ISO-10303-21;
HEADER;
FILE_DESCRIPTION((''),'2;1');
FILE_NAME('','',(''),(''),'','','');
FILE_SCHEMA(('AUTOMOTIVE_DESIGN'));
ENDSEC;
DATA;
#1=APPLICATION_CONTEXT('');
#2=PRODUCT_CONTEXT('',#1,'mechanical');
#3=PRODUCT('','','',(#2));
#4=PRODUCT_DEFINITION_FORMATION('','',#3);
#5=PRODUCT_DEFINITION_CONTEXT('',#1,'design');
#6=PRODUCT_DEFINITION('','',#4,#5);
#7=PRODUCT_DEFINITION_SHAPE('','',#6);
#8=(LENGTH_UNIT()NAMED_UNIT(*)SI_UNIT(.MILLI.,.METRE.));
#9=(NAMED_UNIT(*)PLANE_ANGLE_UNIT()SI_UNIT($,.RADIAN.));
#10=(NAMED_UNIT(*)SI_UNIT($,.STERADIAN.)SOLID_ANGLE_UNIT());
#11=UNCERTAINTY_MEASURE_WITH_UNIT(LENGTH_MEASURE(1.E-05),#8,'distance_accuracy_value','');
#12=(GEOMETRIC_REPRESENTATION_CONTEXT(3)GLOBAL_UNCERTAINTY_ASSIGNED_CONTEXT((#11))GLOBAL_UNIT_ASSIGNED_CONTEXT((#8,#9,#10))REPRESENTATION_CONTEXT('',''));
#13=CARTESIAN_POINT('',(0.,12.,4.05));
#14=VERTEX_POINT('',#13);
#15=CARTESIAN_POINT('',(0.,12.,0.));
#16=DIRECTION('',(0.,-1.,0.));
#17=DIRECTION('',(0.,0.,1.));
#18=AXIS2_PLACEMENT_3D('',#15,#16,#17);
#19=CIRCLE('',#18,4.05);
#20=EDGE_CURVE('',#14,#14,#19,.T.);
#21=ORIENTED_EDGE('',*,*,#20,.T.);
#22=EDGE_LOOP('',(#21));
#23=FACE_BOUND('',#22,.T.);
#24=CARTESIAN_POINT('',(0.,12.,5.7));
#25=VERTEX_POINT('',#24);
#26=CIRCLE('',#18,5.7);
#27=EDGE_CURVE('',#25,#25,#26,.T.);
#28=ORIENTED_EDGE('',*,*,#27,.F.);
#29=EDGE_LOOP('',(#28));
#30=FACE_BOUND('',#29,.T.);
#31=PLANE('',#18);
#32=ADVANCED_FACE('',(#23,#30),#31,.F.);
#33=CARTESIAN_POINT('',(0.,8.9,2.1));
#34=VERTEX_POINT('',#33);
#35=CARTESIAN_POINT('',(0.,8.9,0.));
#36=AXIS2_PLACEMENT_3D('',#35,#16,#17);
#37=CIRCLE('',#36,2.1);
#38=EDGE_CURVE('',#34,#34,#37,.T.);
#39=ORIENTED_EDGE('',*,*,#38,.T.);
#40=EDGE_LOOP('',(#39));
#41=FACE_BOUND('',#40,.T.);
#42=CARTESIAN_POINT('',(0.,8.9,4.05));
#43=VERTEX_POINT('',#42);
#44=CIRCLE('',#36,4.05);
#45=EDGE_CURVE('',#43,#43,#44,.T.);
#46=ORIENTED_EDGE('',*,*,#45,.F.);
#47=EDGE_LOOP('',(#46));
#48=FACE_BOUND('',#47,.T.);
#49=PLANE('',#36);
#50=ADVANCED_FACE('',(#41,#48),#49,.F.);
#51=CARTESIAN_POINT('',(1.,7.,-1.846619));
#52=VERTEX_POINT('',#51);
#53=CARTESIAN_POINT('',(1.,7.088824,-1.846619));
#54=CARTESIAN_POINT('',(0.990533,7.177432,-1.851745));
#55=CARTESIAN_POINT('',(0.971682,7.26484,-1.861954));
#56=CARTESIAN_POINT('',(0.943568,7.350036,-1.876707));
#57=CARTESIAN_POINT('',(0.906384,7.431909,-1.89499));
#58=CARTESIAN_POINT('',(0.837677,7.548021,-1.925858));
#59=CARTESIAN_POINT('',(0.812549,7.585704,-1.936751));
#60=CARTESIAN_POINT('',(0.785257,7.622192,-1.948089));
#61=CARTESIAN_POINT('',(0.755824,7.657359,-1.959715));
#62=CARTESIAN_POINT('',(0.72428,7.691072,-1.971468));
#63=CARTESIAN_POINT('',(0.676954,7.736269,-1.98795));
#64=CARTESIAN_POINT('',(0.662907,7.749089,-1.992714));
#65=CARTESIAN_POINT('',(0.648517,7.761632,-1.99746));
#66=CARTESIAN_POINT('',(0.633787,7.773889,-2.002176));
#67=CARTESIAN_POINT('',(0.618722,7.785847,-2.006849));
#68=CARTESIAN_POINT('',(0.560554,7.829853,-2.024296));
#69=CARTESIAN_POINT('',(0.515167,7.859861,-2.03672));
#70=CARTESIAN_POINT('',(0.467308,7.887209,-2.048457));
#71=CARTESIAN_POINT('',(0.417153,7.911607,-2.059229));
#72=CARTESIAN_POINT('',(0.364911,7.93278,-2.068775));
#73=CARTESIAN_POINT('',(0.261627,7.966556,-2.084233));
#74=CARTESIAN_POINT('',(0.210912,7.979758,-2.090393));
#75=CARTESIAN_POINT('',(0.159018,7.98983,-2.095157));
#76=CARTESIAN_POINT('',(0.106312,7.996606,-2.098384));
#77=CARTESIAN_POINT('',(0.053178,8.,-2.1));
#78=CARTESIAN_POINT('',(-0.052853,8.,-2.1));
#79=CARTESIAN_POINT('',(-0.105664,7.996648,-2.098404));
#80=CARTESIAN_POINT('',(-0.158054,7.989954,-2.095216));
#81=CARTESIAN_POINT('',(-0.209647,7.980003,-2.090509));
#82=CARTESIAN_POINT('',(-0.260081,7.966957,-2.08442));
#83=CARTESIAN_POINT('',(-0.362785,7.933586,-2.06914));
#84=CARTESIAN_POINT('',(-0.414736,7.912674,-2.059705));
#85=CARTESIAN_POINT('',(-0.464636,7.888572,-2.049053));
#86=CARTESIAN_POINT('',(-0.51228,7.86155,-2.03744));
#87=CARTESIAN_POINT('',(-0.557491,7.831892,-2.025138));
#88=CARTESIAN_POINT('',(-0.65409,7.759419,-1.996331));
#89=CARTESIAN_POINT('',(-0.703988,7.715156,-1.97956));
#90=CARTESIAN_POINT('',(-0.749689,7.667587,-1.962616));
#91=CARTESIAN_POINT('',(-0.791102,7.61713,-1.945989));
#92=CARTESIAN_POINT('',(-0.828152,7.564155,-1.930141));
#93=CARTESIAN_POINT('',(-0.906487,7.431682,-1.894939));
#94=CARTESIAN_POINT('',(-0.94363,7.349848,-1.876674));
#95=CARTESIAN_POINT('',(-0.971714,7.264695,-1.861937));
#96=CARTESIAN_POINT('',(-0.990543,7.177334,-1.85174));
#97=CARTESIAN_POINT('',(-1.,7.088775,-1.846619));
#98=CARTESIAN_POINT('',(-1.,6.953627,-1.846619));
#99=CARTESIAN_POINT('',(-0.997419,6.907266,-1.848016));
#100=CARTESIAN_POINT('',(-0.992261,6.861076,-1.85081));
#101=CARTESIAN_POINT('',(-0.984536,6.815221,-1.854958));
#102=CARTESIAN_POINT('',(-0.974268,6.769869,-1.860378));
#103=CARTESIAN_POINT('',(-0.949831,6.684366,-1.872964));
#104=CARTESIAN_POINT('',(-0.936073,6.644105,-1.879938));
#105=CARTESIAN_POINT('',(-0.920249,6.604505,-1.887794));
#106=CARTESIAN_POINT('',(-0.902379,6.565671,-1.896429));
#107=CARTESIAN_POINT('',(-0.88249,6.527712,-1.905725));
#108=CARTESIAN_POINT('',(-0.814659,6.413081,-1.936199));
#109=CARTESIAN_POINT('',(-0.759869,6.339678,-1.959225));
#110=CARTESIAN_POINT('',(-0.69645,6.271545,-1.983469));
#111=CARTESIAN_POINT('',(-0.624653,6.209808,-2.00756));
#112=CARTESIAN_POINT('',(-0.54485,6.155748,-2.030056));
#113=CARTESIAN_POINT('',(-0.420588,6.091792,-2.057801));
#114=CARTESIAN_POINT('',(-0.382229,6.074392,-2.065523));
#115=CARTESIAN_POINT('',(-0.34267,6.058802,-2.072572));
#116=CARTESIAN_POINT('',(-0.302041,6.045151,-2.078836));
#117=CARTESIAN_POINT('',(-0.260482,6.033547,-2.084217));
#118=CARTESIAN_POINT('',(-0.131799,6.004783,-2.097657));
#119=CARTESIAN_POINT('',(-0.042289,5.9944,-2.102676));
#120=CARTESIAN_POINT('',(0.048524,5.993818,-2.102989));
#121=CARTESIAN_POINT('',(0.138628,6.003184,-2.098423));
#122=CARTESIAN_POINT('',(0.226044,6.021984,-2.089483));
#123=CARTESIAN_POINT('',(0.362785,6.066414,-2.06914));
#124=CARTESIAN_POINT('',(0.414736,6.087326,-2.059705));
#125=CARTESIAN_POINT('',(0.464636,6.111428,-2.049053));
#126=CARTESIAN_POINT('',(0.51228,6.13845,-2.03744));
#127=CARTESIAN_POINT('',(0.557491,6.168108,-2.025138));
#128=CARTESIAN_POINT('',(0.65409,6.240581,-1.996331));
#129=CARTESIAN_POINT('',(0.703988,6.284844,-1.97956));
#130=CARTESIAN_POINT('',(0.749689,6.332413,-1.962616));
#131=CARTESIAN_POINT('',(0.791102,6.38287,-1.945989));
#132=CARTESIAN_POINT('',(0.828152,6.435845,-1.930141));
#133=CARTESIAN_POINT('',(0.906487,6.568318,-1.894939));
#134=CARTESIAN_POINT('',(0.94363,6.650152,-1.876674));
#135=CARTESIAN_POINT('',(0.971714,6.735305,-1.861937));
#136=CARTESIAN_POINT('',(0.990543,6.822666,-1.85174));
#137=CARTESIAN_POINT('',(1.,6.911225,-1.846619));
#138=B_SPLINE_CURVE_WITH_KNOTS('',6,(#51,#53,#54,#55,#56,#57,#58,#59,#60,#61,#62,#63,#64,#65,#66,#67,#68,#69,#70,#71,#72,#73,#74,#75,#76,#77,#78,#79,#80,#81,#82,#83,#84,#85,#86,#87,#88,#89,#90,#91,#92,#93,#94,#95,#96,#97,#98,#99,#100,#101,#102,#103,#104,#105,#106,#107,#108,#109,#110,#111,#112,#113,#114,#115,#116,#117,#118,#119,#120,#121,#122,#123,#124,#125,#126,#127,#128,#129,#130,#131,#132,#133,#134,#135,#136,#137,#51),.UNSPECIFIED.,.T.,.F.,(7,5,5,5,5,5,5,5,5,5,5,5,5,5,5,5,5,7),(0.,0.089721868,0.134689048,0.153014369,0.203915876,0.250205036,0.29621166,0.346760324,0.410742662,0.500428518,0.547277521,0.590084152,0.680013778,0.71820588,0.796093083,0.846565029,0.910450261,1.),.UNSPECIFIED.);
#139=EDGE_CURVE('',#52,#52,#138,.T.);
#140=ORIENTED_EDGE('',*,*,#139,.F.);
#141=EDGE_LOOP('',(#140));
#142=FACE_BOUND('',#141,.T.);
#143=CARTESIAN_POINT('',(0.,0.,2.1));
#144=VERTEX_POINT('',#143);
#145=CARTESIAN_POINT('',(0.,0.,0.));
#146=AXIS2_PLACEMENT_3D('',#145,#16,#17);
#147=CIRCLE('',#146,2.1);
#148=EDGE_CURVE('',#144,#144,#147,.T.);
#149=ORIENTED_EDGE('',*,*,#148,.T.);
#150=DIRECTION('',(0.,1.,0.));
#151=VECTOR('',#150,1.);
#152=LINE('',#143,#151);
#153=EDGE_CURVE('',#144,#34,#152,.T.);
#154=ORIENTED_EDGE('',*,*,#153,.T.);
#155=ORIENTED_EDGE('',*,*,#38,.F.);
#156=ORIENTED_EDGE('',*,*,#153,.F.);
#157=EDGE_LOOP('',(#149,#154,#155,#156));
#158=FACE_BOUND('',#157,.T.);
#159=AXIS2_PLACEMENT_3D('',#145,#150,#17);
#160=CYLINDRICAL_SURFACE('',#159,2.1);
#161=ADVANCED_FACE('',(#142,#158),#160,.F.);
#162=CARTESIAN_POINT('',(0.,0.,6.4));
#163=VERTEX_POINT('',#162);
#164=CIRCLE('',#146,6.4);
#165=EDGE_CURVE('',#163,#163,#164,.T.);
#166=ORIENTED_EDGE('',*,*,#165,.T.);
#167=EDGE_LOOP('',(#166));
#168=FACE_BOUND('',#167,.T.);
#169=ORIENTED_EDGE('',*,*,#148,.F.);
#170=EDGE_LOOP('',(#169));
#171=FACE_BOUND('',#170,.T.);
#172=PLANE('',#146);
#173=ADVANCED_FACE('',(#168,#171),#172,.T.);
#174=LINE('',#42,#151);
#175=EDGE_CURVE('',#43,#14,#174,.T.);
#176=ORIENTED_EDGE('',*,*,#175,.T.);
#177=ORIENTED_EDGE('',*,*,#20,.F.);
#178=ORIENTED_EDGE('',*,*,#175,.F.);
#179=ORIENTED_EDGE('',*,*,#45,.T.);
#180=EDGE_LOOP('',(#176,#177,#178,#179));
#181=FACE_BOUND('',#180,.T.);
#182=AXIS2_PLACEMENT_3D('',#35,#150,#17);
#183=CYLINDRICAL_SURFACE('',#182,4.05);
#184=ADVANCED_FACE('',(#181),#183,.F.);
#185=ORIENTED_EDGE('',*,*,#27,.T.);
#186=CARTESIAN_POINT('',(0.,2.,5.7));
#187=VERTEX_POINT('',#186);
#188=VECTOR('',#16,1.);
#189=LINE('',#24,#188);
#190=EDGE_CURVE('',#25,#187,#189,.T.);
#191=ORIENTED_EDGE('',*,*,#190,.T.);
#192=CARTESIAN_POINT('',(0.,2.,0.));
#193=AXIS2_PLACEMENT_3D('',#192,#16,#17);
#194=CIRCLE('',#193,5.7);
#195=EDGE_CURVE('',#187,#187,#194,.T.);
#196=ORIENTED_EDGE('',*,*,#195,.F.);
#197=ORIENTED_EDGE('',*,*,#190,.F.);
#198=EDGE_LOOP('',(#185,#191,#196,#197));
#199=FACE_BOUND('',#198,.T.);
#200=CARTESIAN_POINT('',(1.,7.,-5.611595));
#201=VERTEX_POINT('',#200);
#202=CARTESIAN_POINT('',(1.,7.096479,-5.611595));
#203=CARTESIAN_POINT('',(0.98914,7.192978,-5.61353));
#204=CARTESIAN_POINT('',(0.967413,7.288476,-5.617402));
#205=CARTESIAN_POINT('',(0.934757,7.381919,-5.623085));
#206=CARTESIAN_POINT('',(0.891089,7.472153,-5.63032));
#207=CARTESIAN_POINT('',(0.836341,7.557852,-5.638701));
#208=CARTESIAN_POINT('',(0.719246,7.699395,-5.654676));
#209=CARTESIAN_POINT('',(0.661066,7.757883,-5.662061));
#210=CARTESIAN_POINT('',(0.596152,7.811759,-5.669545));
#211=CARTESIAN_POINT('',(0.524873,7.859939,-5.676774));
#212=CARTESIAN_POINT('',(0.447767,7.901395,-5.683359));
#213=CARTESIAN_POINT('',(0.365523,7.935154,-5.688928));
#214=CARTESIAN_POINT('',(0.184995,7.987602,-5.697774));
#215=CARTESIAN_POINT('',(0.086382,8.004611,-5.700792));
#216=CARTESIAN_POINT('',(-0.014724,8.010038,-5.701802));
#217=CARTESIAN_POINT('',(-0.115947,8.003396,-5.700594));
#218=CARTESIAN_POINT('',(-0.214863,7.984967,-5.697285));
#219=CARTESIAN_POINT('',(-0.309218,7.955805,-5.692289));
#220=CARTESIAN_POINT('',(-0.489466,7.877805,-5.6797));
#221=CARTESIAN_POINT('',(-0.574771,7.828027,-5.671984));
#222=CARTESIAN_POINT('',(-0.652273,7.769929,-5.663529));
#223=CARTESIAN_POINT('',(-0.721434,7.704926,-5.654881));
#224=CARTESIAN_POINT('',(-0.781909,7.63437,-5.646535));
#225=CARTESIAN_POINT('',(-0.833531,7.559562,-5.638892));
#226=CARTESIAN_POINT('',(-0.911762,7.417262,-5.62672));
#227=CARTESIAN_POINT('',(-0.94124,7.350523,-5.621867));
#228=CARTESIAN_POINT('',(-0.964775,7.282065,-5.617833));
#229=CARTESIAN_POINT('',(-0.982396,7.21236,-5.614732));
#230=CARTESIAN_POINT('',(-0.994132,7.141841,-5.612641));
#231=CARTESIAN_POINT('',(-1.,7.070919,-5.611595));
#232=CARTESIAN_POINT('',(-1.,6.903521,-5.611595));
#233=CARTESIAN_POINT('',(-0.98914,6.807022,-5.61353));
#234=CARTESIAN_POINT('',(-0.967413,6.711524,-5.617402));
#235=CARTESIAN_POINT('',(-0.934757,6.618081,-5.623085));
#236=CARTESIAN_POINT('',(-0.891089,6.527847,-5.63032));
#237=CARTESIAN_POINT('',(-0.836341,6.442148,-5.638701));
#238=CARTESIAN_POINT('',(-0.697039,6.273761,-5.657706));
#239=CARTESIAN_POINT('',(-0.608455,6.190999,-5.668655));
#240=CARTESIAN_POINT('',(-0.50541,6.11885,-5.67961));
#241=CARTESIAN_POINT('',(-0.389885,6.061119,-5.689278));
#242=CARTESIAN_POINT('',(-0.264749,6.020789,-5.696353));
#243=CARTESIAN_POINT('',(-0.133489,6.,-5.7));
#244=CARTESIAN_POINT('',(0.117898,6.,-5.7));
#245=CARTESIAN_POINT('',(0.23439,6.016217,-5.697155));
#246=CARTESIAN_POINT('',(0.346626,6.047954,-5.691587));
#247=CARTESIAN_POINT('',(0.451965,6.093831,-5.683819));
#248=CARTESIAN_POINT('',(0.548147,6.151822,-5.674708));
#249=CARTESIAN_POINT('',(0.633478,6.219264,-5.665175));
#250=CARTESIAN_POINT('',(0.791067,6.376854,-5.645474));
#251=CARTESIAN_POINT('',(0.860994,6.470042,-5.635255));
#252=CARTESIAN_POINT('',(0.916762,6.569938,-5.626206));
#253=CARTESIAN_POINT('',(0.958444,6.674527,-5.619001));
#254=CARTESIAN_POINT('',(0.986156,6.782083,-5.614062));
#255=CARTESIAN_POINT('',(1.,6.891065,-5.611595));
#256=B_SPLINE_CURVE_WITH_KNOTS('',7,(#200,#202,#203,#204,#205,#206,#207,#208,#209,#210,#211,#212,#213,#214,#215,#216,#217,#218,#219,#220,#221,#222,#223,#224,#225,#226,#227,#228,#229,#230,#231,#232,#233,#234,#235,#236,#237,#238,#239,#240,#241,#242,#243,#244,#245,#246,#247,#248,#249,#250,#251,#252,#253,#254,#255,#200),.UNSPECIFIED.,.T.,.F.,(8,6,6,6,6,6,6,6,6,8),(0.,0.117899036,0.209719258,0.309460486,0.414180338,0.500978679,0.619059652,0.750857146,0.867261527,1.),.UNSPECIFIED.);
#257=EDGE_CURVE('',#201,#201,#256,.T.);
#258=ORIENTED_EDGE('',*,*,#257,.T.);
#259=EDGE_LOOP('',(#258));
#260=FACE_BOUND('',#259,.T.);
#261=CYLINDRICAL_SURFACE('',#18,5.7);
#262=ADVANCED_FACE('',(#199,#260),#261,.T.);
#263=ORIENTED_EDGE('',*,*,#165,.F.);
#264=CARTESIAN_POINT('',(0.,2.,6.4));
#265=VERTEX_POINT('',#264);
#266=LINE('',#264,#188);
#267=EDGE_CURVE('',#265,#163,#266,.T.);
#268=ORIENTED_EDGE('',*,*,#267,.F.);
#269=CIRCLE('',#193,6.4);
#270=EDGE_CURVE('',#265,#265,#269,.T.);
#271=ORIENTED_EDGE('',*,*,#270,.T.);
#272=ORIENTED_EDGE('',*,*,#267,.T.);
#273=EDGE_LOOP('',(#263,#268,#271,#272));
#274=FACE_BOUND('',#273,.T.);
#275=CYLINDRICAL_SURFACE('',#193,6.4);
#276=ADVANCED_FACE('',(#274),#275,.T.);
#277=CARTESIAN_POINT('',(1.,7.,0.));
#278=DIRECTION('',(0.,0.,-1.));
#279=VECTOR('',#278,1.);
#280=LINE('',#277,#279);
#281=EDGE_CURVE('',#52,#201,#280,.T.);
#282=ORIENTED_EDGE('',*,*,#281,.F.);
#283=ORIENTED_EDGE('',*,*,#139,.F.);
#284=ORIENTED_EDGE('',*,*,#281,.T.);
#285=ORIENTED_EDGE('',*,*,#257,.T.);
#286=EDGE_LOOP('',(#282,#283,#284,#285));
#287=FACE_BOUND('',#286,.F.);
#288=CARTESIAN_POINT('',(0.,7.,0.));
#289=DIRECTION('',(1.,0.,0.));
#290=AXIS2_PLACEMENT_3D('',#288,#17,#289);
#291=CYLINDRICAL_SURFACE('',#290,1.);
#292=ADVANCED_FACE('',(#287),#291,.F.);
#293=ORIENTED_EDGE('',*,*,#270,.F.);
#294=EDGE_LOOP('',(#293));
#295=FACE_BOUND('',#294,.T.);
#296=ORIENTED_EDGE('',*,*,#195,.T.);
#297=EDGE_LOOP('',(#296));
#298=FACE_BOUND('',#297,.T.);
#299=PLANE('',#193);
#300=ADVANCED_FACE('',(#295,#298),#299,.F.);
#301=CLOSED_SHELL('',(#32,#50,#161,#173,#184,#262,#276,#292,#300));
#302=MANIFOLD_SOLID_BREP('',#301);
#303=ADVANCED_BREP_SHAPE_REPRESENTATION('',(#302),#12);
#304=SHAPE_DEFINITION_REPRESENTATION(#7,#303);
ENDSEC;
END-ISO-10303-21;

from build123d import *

# Parameters (mm, degrees)
F4_D     = 2
F4_DEPTH = 6.401


with BuildPart() as f2:
    # F1 (on Right) → F2 (revolve)
    with BuildSketch(Plane.YZ):
        Polygon((0, 2.1), (8.9, 2.1), (8.9, 4.05), (12, 4.05), (12, 5.7), (2, 5.7), (2, 6.4), (0, 6.4), align=None)
    revolve(axis=Axis((0, 5.7350749573, 0), (0, -1, 0)))

    # F4 (through all, one way)
    with BuildSketch(Plane.XY):
        with Locations((0, 7)):
            Circle(F4_D / 2)
    extrude(amount=-F4_DEPTH, mode=Mode.SUBTRACT)


solid = f2.part
